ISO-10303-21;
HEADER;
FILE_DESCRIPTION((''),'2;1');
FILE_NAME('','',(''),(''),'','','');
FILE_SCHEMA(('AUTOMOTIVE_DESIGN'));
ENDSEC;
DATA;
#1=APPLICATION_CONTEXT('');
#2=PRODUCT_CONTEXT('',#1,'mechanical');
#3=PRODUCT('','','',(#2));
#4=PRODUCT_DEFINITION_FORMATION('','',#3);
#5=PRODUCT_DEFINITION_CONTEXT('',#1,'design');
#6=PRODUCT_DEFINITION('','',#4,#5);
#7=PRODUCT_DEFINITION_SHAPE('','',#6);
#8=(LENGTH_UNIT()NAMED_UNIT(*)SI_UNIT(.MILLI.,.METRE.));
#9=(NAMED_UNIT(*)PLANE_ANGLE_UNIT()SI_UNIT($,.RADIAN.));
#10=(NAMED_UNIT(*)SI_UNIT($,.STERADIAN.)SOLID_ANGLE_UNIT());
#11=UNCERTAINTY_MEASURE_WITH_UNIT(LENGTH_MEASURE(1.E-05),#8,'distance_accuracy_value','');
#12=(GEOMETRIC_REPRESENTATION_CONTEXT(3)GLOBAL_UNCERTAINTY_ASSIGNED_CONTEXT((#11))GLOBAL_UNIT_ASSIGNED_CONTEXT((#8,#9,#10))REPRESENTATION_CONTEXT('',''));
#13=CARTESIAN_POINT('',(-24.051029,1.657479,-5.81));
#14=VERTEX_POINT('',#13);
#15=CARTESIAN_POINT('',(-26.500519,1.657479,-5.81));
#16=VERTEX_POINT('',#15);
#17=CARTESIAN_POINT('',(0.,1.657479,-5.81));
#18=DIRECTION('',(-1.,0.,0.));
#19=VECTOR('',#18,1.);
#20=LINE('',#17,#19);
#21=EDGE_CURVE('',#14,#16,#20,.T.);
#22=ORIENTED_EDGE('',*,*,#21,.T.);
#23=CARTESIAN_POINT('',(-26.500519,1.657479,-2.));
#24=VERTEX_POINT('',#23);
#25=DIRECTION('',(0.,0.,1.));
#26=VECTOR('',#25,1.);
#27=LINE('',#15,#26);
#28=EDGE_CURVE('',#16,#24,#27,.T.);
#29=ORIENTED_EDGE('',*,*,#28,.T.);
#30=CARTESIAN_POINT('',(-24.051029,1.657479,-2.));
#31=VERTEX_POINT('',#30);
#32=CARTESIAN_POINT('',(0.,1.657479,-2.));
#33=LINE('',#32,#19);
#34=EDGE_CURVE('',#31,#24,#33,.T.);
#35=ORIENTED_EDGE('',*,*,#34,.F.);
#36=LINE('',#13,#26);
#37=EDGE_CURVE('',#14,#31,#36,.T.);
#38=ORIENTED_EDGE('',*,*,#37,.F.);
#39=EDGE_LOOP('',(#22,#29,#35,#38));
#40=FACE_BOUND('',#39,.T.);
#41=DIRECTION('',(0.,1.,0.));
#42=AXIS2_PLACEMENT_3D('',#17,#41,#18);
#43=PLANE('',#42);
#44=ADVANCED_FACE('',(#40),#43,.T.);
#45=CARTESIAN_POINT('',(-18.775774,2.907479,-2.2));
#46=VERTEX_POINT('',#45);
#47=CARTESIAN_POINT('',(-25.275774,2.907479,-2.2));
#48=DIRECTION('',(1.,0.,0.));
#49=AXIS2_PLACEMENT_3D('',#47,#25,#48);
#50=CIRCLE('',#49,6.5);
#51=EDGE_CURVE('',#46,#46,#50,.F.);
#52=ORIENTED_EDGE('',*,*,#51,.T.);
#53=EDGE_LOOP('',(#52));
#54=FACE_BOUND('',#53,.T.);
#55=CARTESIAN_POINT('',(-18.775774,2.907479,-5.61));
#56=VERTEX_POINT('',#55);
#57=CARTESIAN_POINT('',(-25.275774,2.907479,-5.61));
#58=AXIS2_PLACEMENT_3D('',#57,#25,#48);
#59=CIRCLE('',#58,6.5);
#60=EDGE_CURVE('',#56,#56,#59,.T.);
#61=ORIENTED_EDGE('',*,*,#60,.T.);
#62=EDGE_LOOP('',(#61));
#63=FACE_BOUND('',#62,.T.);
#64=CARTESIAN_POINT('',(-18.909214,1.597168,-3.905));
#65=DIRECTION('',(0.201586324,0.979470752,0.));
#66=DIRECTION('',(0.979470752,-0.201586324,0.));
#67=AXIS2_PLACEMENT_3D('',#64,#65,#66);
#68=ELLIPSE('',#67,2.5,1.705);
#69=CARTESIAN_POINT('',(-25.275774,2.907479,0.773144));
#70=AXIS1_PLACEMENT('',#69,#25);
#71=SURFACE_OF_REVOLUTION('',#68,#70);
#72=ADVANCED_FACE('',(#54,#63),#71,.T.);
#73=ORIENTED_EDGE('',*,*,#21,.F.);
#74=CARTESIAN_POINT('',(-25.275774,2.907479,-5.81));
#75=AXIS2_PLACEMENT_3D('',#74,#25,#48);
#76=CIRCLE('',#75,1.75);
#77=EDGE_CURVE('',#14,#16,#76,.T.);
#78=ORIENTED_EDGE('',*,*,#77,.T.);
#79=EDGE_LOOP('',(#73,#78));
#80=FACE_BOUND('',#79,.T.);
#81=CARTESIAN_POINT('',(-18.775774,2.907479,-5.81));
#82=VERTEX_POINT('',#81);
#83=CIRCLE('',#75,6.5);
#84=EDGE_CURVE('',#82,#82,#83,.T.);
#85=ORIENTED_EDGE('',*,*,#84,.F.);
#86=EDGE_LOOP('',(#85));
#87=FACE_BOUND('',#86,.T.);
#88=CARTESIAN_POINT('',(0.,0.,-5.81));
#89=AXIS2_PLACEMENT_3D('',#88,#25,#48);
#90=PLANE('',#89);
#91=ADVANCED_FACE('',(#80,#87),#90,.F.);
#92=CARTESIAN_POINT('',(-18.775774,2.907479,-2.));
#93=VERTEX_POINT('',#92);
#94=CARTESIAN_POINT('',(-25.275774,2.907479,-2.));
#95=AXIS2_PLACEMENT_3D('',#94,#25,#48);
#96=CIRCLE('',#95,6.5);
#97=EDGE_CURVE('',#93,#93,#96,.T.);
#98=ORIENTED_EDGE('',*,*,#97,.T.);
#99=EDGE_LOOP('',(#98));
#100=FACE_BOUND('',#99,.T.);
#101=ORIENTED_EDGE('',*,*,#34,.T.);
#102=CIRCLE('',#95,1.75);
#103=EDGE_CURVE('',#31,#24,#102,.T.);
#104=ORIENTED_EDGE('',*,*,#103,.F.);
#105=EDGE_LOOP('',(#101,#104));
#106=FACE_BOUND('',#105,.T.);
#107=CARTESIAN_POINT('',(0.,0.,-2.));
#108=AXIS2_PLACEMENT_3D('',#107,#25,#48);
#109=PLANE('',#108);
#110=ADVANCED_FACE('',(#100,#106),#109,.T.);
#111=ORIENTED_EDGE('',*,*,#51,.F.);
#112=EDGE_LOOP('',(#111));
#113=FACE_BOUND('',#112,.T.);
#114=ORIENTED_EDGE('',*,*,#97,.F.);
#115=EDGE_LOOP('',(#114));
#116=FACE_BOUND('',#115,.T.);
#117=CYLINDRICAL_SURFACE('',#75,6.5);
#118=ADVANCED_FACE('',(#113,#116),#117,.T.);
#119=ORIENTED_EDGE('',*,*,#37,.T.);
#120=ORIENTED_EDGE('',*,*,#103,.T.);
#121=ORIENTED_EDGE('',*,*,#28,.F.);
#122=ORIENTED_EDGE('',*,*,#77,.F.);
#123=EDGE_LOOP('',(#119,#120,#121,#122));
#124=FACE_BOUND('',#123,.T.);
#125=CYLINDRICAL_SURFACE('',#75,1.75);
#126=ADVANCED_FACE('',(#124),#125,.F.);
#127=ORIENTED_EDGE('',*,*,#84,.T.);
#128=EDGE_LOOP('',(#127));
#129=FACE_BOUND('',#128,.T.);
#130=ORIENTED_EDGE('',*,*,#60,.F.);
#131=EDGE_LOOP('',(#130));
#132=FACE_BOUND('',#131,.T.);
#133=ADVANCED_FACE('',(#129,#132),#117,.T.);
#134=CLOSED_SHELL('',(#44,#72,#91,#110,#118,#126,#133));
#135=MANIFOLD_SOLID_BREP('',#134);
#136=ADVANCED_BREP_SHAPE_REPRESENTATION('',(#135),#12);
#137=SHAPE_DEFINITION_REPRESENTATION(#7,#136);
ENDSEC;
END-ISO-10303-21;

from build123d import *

# Parameters (mm, degrees)
BOSS_EXTRUDE1_START = -2
SKETCH1_R           = 6.5
BOSS_EXTRUDE1_DEPTH = 3.81
SKETCH2_RX          = 2.5
SKETCH2_RY          = 1.705


with BuildPart() as part:
    # Sketch1 → Boss-Extrude1 (new body)
    with BuildSketch(Plane.XY.offset(BOSS_EXTRUDE1_START)):
        with Locations((-25.275773863, 2.907479065)):
            Circle(SKETCH1_R)
        with BuildLine():
            ThreePointArc((-26.500518734, 1.657479065), (-25.275773863, 4.657479065), (-24.051028992, 1.657479065))
            Line((-24.051028992, 1.657479065), (-26.500518734, 1.657479065))
        make_face(mode=Mode.SUBTRACT)
    extrude(amount=-BOSS_EXTRUDE1_DEPTH)

    # Sketch2 → Cut-Revolve1 (revolve, cut)
    with BuildSketch(Plane(origin=(-0.41524981, -2.209102148, 0), x_dir=(-0.9794707520439397, 0.2015863236692392, 0), z_dir=(0.2015863236692392, 0.9794707520439397, 0))):
        with Locations(Location((18.881588986, -3.905), (0, 0, 180))):
            Ellipse(SKETCH2_RX, SKETCH2_RY)
    revolve(axis=Axis((-25.275773863, 2.907479065, 0.773144213), (0, 0, -1)), mode=Mode.SUBTRACT)


solid = part.part
